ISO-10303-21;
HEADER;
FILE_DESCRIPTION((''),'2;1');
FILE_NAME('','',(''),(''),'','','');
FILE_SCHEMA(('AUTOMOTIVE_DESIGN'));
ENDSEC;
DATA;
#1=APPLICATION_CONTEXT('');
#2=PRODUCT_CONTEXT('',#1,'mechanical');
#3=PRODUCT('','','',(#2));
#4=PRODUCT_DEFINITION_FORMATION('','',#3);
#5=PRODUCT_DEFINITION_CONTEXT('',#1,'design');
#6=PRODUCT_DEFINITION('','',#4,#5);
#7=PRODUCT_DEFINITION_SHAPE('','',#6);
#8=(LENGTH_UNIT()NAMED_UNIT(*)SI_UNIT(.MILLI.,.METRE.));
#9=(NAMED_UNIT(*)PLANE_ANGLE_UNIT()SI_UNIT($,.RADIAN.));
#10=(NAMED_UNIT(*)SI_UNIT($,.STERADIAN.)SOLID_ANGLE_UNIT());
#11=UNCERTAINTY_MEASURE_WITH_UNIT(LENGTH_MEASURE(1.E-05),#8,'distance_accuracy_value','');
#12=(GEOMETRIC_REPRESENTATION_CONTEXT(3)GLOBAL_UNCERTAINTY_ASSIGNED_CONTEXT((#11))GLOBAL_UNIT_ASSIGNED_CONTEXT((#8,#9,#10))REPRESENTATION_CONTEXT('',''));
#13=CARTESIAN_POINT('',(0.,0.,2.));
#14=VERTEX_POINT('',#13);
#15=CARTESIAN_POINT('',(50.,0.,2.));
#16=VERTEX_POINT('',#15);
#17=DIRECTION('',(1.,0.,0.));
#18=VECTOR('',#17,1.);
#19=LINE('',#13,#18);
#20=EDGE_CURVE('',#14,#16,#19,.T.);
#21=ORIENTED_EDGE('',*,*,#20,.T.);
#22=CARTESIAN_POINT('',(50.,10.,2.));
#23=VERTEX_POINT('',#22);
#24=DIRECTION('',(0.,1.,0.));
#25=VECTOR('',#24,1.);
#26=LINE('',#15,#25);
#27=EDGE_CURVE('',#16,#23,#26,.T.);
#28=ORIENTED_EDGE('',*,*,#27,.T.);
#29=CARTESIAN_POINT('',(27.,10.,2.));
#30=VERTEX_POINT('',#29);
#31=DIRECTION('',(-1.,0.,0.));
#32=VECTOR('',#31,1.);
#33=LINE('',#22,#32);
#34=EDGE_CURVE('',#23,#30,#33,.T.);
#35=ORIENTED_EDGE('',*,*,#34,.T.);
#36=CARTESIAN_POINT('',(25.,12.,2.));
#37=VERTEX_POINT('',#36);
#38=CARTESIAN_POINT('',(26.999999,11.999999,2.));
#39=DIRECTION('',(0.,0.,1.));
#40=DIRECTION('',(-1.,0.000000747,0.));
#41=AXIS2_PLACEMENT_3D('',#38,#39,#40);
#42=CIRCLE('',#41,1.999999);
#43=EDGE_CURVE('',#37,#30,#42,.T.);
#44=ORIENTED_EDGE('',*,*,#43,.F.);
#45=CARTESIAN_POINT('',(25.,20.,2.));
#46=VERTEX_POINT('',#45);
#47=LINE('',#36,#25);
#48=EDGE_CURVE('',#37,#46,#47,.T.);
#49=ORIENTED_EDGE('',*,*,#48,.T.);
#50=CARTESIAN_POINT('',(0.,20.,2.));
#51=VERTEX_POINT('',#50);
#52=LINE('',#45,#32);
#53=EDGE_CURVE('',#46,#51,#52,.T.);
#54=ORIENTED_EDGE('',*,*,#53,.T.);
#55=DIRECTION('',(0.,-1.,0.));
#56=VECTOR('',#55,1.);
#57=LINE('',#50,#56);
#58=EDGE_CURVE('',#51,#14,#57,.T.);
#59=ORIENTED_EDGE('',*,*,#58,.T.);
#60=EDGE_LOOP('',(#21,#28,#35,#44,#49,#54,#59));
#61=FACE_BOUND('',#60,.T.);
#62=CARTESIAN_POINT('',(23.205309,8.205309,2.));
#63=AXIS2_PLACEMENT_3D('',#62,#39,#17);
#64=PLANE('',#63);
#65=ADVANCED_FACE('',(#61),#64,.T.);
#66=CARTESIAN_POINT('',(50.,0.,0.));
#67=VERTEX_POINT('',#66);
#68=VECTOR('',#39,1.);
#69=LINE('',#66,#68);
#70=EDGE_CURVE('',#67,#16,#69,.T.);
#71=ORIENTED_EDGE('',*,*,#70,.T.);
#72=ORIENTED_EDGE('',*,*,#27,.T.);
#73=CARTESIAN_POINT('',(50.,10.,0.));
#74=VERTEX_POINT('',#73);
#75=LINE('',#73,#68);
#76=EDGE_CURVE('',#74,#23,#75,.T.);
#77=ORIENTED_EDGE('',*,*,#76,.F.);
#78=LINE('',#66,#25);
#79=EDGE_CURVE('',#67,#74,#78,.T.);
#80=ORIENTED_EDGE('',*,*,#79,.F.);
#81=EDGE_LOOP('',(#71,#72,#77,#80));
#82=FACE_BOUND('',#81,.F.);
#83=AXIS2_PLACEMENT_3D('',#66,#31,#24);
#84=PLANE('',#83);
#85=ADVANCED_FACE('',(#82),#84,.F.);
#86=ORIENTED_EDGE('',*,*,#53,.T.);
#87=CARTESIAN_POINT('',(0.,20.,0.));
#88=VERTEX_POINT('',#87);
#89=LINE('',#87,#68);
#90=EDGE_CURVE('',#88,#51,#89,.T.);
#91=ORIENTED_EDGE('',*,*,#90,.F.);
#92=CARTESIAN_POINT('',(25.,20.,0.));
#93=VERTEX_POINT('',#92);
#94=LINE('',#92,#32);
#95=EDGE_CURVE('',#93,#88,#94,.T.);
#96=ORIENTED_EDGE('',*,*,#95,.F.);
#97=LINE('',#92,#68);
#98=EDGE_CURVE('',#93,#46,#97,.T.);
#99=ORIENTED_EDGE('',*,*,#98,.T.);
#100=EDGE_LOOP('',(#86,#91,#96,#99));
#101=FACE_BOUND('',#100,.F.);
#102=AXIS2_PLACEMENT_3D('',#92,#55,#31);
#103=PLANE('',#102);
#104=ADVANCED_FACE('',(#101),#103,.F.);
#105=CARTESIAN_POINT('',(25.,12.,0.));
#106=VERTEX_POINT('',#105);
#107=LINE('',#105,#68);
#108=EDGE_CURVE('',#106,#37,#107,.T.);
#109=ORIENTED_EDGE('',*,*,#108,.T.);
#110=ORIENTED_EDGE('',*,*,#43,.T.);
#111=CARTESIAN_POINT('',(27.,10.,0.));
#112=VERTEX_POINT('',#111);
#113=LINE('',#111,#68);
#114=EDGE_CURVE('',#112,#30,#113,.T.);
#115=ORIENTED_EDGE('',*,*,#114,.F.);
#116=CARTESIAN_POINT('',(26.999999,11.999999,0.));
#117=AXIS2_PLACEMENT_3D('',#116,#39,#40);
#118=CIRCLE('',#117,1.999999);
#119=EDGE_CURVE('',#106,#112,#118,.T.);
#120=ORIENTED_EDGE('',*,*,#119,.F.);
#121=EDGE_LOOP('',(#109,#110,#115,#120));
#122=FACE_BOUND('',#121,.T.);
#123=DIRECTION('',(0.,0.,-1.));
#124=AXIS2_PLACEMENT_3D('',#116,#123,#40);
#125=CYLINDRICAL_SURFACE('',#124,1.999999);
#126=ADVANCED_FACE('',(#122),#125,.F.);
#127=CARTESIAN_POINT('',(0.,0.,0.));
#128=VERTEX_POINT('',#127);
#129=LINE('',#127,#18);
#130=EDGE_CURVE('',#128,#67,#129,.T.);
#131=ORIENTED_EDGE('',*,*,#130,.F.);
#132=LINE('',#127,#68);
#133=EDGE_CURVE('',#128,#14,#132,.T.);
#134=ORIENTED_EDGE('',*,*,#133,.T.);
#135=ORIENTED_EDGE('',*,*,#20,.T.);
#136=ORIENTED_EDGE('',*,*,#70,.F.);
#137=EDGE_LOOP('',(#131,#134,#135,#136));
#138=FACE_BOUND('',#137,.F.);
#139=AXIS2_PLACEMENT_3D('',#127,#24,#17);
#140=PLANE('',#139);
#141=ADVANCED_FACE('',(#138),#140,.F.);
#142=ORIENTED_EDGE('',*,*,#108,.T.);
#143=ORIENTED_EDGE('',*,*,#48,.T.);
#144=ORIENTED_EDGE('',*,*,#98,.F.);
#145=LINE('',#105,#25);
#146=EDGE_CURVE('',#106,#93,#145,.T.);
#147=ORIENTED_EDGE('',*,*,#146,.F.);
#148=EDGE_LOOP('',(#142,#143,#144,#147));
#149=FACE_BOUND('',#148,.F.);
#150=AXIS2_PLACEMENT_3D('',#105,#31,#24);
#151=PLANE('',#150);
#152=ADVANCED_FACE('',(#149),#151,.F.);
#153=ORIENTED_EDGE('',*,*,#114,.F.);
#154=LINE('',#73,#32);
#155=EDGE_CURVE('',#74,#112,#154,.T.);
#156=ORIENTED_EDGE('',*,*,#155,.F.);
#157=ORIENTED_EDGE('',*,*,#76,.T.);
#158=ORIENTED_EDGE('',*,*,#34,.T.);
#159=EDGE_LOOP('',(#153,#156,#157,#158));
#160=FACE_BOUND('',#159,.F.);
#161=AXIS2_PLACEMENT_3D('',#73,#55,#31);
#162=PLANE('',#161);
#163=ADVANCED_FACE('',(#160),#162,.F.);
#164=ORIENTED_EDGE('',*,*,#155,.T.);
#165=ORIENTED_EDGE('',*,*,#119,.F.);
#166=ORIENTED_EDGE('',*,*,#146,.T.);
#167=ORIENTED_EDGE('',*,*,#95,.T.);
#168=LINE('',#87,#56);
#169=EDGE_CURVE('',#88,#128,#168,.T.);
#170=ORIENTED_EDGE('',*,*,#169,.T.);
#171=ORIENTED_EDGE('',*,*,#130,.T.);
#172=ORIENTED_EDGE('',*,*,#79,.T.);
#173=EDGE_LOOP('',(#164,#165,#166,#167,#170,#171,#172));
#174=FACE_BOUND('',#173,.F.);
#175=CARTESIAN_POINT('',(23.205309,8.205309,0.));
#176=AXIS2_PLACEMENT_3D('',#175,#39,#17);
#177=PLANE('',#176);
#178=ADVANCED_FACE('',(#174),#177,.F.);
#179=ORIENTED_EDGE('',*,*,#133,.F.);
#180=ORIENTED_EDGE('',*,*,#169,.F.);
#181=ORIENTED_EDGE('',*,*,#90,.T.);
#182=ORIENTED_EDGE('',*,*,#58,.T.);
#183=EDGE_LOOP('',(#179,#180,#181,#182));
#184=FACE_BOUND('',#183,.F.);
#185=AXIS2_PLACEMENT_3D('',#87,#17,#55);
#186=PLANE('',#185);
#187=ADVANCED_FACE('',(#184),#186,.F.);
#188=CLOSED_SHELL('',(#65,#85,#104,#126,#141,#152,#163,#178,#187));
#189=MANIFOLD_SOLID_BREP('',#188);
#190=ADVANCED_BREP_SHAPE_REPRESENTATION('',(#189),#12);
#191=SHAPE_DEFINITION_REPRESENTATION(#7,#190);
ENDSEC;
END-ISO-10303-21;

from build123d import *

# Parameters (mm, degrees)
PAD_DEPTH = 2


with BuildPart() as part:
    # Sketch → Pad (new body)
    with BuildSketch(Plane.XY):
        with BuildLine():
            Line((0, 0), (50, 0))
            Line((50, 0), (50, 10))
            Line((50, 10), (27, 10))
            ThreePointArc((25, 12), (25.585786, 10.585786), (27, 10))
            Line((25, 12), (25, 20))
            Line((25, 20), (0, 20))
            Line((0, 20), (0, 0))
        make_face()
    extrude(amount=PAD_DEPTH)


solid = part.part
